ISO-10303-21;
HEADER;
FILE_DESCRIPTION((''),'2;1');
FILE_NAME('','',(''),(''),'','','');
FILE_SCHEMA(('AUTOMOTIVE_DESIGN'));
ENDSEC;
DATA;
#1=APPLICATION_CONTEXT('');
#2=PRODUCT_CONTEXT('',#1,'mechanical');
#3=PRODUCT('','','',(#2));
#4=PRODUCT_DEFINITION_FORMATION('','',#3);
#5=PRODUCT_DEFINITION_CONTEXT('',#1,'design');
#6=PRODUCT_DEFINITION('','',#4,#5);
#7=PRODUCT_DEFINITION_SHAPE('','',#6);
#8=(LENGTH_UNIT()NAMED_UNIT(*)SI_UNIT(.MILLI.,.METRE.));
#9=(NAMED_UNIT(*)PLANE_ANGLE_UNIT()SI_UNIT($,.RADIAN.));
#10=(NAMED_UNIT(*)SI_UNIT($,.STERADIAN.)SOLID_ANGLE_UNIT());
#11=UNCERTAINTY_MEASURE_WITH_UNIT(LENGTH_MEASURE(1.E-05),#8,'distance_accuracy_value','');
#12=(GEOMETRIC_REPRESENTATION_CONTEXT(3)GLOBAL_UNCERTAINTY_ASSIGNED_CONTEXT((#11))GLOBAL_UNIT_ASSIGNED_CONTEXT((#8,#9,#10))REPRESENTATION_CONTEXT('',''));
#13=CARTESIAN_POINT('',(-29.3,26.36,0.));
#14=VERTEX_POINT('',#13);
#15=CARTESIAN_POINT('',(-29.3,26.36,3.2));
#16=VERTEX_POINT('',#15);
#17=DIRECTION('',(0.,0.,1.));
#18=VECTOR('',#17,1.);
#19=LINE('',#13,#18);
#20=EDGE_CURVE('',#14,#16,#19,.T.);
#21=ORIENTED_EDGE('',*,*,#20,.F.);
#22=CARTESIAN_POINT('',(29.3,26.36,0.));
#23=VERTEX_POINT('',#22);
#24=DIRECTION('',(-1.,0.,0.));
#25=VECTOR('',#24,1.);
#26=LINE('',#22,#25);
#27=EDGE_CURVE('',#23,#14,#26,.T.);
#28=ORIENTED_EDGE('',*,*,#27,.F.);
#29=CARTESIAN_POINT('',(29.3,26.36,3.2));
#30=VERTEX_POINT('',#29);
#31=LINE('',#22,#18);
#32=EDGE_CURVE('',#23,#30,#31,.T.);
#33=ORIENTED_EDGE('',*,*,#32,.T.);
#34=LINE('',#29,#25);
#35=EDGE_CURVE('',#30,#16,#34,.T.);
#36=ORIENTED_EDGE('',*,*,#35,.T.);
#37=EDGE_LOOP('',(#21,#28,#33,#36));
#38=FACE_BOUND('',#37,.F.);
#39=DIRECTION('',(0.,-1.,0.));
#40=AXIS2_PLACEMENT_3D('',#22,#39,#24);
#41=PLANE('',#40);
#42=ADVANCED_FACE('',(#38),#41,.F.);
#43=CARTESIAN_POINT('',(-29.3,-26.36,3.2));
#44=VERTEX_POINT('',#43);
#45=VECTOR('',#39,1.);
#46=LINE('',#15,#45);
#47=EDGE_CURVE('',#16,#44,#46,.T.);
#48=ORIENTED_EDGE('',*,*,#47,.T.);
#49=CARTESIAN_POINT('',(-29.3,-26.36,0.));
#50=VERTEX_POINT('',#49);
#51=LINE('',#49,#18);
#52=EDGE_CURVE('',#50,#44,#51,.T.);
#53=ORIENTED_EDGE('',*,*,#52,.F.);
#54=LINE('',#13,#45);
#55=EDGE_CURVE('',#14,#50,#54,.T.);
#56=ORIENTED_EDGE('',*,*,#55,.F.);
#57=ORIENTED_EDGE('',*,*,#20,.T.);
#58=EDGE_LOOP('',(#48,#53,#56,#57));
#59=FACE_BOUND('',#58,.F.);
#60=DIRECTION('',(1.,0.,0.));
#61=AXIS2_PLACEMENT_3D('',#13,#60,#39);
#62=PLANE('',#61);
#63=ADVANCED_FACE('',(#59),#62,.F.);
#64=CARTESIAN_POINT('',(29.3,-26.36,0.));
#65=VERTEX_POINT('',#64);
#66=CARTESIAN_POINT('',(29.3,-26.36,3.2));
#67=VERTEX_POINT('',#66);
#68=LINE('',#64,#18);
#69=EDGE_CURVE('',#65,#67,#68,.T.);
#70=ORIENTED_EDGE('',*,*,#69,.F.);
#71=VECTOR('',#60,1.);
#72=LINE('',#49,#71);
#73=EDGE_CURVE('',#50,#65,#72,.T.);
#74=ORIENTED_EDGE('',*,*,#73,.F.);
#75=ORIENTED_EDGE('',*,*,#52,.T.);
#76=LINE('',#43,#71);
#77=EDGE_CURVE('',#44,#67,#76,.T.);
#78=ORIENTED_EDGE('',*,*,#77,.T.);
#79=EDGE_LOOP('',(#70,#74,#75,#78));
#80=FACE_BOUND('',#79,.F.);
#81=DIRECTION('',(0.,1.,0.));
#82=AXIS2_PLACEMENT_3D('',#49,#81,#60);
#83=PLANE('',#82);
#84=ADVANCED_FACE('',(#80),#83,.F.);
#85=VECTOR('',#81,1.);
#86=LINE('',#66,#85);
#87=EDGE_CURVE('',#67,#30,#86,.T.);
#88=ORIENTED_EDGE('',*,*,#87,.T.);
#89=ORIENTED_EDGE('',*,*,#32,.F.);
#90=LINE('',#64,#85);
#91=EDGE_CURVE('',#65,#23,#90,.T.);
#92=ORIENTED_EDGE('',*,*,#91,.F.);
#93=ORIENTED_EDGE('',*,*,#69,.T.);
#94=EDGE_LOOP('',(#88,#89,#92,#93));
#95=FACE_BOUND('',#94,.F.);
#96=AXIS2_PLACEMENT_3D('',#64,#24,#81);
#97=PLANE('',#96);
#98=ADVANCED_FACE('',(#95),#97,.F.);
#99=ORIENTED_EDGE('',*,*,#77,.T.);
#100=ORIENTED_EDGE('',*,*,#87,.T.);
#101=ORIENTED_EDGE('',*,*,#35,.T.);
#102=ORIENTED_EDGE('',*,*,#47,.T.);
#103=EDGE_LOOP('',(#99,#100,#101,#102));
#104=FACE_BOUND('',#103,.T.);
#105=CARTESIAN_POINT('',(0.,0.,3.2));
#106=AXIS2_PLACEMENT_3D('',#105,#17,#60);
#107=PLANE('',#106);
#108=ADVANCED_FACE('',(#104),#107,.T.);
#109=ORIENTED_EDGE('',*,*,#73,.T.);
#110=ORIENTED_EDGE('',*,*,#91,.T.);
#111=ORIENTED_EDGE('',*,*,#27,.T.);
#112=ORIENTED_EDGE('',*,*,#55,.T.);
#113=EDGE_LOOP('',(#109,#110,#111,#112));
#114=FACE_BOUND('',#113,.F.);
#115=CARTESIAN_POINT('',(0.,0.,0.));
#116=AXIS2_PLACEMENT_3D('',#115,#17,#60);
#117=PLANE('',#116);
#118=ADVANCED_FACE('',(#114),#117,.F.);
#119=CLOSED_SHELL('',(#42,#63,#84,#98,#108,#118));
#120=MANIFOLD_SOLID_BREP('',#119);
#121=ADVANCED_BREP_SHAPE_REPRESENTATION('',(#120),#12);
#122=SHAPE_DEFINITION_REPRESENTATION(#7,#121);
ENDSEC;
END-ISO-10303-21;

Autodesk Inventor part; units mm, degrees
ref_plane "YZ Plane" through (0, 0, 0) normal (1, 0, 0) x (0, 1, 0)
ref_plane "XZ Plane" through (0, 0, 0) normal (0, 1, 0) x (-1, 0, 0)
ref_plane "XY Plane" through (0, 0, 0) normal (0, 0, 1) x (1, 0, 0)
sketch "Sketch1" plane through (0, 0, 0) normal (0, 0, 1) x (1, 0, 0)
  line L0 (-29.3, -26.36) -> (29.3, -26.36)
  line L1 (29.3, -26.36) -> (29.3, 26.36)
  line L2 (29.3, 26.36) -> (-29.3, 26.36)
  line L3 (-29.3, 26.36) -> (-29.3, -26.36)
  line L4 (-29.3, -26.36) -> (29.3, 26.36) construction
  line L5 (29.3, -26.36) -> (-29.3, 26.36) construction
  point P0 (0, 0)
  dimension "d0" = 52.72
  dimension "d1" = 58.6
extrude "Extrusion1" add sketch "Sketch1" along normal blind 3.2
properties part number "Front"
